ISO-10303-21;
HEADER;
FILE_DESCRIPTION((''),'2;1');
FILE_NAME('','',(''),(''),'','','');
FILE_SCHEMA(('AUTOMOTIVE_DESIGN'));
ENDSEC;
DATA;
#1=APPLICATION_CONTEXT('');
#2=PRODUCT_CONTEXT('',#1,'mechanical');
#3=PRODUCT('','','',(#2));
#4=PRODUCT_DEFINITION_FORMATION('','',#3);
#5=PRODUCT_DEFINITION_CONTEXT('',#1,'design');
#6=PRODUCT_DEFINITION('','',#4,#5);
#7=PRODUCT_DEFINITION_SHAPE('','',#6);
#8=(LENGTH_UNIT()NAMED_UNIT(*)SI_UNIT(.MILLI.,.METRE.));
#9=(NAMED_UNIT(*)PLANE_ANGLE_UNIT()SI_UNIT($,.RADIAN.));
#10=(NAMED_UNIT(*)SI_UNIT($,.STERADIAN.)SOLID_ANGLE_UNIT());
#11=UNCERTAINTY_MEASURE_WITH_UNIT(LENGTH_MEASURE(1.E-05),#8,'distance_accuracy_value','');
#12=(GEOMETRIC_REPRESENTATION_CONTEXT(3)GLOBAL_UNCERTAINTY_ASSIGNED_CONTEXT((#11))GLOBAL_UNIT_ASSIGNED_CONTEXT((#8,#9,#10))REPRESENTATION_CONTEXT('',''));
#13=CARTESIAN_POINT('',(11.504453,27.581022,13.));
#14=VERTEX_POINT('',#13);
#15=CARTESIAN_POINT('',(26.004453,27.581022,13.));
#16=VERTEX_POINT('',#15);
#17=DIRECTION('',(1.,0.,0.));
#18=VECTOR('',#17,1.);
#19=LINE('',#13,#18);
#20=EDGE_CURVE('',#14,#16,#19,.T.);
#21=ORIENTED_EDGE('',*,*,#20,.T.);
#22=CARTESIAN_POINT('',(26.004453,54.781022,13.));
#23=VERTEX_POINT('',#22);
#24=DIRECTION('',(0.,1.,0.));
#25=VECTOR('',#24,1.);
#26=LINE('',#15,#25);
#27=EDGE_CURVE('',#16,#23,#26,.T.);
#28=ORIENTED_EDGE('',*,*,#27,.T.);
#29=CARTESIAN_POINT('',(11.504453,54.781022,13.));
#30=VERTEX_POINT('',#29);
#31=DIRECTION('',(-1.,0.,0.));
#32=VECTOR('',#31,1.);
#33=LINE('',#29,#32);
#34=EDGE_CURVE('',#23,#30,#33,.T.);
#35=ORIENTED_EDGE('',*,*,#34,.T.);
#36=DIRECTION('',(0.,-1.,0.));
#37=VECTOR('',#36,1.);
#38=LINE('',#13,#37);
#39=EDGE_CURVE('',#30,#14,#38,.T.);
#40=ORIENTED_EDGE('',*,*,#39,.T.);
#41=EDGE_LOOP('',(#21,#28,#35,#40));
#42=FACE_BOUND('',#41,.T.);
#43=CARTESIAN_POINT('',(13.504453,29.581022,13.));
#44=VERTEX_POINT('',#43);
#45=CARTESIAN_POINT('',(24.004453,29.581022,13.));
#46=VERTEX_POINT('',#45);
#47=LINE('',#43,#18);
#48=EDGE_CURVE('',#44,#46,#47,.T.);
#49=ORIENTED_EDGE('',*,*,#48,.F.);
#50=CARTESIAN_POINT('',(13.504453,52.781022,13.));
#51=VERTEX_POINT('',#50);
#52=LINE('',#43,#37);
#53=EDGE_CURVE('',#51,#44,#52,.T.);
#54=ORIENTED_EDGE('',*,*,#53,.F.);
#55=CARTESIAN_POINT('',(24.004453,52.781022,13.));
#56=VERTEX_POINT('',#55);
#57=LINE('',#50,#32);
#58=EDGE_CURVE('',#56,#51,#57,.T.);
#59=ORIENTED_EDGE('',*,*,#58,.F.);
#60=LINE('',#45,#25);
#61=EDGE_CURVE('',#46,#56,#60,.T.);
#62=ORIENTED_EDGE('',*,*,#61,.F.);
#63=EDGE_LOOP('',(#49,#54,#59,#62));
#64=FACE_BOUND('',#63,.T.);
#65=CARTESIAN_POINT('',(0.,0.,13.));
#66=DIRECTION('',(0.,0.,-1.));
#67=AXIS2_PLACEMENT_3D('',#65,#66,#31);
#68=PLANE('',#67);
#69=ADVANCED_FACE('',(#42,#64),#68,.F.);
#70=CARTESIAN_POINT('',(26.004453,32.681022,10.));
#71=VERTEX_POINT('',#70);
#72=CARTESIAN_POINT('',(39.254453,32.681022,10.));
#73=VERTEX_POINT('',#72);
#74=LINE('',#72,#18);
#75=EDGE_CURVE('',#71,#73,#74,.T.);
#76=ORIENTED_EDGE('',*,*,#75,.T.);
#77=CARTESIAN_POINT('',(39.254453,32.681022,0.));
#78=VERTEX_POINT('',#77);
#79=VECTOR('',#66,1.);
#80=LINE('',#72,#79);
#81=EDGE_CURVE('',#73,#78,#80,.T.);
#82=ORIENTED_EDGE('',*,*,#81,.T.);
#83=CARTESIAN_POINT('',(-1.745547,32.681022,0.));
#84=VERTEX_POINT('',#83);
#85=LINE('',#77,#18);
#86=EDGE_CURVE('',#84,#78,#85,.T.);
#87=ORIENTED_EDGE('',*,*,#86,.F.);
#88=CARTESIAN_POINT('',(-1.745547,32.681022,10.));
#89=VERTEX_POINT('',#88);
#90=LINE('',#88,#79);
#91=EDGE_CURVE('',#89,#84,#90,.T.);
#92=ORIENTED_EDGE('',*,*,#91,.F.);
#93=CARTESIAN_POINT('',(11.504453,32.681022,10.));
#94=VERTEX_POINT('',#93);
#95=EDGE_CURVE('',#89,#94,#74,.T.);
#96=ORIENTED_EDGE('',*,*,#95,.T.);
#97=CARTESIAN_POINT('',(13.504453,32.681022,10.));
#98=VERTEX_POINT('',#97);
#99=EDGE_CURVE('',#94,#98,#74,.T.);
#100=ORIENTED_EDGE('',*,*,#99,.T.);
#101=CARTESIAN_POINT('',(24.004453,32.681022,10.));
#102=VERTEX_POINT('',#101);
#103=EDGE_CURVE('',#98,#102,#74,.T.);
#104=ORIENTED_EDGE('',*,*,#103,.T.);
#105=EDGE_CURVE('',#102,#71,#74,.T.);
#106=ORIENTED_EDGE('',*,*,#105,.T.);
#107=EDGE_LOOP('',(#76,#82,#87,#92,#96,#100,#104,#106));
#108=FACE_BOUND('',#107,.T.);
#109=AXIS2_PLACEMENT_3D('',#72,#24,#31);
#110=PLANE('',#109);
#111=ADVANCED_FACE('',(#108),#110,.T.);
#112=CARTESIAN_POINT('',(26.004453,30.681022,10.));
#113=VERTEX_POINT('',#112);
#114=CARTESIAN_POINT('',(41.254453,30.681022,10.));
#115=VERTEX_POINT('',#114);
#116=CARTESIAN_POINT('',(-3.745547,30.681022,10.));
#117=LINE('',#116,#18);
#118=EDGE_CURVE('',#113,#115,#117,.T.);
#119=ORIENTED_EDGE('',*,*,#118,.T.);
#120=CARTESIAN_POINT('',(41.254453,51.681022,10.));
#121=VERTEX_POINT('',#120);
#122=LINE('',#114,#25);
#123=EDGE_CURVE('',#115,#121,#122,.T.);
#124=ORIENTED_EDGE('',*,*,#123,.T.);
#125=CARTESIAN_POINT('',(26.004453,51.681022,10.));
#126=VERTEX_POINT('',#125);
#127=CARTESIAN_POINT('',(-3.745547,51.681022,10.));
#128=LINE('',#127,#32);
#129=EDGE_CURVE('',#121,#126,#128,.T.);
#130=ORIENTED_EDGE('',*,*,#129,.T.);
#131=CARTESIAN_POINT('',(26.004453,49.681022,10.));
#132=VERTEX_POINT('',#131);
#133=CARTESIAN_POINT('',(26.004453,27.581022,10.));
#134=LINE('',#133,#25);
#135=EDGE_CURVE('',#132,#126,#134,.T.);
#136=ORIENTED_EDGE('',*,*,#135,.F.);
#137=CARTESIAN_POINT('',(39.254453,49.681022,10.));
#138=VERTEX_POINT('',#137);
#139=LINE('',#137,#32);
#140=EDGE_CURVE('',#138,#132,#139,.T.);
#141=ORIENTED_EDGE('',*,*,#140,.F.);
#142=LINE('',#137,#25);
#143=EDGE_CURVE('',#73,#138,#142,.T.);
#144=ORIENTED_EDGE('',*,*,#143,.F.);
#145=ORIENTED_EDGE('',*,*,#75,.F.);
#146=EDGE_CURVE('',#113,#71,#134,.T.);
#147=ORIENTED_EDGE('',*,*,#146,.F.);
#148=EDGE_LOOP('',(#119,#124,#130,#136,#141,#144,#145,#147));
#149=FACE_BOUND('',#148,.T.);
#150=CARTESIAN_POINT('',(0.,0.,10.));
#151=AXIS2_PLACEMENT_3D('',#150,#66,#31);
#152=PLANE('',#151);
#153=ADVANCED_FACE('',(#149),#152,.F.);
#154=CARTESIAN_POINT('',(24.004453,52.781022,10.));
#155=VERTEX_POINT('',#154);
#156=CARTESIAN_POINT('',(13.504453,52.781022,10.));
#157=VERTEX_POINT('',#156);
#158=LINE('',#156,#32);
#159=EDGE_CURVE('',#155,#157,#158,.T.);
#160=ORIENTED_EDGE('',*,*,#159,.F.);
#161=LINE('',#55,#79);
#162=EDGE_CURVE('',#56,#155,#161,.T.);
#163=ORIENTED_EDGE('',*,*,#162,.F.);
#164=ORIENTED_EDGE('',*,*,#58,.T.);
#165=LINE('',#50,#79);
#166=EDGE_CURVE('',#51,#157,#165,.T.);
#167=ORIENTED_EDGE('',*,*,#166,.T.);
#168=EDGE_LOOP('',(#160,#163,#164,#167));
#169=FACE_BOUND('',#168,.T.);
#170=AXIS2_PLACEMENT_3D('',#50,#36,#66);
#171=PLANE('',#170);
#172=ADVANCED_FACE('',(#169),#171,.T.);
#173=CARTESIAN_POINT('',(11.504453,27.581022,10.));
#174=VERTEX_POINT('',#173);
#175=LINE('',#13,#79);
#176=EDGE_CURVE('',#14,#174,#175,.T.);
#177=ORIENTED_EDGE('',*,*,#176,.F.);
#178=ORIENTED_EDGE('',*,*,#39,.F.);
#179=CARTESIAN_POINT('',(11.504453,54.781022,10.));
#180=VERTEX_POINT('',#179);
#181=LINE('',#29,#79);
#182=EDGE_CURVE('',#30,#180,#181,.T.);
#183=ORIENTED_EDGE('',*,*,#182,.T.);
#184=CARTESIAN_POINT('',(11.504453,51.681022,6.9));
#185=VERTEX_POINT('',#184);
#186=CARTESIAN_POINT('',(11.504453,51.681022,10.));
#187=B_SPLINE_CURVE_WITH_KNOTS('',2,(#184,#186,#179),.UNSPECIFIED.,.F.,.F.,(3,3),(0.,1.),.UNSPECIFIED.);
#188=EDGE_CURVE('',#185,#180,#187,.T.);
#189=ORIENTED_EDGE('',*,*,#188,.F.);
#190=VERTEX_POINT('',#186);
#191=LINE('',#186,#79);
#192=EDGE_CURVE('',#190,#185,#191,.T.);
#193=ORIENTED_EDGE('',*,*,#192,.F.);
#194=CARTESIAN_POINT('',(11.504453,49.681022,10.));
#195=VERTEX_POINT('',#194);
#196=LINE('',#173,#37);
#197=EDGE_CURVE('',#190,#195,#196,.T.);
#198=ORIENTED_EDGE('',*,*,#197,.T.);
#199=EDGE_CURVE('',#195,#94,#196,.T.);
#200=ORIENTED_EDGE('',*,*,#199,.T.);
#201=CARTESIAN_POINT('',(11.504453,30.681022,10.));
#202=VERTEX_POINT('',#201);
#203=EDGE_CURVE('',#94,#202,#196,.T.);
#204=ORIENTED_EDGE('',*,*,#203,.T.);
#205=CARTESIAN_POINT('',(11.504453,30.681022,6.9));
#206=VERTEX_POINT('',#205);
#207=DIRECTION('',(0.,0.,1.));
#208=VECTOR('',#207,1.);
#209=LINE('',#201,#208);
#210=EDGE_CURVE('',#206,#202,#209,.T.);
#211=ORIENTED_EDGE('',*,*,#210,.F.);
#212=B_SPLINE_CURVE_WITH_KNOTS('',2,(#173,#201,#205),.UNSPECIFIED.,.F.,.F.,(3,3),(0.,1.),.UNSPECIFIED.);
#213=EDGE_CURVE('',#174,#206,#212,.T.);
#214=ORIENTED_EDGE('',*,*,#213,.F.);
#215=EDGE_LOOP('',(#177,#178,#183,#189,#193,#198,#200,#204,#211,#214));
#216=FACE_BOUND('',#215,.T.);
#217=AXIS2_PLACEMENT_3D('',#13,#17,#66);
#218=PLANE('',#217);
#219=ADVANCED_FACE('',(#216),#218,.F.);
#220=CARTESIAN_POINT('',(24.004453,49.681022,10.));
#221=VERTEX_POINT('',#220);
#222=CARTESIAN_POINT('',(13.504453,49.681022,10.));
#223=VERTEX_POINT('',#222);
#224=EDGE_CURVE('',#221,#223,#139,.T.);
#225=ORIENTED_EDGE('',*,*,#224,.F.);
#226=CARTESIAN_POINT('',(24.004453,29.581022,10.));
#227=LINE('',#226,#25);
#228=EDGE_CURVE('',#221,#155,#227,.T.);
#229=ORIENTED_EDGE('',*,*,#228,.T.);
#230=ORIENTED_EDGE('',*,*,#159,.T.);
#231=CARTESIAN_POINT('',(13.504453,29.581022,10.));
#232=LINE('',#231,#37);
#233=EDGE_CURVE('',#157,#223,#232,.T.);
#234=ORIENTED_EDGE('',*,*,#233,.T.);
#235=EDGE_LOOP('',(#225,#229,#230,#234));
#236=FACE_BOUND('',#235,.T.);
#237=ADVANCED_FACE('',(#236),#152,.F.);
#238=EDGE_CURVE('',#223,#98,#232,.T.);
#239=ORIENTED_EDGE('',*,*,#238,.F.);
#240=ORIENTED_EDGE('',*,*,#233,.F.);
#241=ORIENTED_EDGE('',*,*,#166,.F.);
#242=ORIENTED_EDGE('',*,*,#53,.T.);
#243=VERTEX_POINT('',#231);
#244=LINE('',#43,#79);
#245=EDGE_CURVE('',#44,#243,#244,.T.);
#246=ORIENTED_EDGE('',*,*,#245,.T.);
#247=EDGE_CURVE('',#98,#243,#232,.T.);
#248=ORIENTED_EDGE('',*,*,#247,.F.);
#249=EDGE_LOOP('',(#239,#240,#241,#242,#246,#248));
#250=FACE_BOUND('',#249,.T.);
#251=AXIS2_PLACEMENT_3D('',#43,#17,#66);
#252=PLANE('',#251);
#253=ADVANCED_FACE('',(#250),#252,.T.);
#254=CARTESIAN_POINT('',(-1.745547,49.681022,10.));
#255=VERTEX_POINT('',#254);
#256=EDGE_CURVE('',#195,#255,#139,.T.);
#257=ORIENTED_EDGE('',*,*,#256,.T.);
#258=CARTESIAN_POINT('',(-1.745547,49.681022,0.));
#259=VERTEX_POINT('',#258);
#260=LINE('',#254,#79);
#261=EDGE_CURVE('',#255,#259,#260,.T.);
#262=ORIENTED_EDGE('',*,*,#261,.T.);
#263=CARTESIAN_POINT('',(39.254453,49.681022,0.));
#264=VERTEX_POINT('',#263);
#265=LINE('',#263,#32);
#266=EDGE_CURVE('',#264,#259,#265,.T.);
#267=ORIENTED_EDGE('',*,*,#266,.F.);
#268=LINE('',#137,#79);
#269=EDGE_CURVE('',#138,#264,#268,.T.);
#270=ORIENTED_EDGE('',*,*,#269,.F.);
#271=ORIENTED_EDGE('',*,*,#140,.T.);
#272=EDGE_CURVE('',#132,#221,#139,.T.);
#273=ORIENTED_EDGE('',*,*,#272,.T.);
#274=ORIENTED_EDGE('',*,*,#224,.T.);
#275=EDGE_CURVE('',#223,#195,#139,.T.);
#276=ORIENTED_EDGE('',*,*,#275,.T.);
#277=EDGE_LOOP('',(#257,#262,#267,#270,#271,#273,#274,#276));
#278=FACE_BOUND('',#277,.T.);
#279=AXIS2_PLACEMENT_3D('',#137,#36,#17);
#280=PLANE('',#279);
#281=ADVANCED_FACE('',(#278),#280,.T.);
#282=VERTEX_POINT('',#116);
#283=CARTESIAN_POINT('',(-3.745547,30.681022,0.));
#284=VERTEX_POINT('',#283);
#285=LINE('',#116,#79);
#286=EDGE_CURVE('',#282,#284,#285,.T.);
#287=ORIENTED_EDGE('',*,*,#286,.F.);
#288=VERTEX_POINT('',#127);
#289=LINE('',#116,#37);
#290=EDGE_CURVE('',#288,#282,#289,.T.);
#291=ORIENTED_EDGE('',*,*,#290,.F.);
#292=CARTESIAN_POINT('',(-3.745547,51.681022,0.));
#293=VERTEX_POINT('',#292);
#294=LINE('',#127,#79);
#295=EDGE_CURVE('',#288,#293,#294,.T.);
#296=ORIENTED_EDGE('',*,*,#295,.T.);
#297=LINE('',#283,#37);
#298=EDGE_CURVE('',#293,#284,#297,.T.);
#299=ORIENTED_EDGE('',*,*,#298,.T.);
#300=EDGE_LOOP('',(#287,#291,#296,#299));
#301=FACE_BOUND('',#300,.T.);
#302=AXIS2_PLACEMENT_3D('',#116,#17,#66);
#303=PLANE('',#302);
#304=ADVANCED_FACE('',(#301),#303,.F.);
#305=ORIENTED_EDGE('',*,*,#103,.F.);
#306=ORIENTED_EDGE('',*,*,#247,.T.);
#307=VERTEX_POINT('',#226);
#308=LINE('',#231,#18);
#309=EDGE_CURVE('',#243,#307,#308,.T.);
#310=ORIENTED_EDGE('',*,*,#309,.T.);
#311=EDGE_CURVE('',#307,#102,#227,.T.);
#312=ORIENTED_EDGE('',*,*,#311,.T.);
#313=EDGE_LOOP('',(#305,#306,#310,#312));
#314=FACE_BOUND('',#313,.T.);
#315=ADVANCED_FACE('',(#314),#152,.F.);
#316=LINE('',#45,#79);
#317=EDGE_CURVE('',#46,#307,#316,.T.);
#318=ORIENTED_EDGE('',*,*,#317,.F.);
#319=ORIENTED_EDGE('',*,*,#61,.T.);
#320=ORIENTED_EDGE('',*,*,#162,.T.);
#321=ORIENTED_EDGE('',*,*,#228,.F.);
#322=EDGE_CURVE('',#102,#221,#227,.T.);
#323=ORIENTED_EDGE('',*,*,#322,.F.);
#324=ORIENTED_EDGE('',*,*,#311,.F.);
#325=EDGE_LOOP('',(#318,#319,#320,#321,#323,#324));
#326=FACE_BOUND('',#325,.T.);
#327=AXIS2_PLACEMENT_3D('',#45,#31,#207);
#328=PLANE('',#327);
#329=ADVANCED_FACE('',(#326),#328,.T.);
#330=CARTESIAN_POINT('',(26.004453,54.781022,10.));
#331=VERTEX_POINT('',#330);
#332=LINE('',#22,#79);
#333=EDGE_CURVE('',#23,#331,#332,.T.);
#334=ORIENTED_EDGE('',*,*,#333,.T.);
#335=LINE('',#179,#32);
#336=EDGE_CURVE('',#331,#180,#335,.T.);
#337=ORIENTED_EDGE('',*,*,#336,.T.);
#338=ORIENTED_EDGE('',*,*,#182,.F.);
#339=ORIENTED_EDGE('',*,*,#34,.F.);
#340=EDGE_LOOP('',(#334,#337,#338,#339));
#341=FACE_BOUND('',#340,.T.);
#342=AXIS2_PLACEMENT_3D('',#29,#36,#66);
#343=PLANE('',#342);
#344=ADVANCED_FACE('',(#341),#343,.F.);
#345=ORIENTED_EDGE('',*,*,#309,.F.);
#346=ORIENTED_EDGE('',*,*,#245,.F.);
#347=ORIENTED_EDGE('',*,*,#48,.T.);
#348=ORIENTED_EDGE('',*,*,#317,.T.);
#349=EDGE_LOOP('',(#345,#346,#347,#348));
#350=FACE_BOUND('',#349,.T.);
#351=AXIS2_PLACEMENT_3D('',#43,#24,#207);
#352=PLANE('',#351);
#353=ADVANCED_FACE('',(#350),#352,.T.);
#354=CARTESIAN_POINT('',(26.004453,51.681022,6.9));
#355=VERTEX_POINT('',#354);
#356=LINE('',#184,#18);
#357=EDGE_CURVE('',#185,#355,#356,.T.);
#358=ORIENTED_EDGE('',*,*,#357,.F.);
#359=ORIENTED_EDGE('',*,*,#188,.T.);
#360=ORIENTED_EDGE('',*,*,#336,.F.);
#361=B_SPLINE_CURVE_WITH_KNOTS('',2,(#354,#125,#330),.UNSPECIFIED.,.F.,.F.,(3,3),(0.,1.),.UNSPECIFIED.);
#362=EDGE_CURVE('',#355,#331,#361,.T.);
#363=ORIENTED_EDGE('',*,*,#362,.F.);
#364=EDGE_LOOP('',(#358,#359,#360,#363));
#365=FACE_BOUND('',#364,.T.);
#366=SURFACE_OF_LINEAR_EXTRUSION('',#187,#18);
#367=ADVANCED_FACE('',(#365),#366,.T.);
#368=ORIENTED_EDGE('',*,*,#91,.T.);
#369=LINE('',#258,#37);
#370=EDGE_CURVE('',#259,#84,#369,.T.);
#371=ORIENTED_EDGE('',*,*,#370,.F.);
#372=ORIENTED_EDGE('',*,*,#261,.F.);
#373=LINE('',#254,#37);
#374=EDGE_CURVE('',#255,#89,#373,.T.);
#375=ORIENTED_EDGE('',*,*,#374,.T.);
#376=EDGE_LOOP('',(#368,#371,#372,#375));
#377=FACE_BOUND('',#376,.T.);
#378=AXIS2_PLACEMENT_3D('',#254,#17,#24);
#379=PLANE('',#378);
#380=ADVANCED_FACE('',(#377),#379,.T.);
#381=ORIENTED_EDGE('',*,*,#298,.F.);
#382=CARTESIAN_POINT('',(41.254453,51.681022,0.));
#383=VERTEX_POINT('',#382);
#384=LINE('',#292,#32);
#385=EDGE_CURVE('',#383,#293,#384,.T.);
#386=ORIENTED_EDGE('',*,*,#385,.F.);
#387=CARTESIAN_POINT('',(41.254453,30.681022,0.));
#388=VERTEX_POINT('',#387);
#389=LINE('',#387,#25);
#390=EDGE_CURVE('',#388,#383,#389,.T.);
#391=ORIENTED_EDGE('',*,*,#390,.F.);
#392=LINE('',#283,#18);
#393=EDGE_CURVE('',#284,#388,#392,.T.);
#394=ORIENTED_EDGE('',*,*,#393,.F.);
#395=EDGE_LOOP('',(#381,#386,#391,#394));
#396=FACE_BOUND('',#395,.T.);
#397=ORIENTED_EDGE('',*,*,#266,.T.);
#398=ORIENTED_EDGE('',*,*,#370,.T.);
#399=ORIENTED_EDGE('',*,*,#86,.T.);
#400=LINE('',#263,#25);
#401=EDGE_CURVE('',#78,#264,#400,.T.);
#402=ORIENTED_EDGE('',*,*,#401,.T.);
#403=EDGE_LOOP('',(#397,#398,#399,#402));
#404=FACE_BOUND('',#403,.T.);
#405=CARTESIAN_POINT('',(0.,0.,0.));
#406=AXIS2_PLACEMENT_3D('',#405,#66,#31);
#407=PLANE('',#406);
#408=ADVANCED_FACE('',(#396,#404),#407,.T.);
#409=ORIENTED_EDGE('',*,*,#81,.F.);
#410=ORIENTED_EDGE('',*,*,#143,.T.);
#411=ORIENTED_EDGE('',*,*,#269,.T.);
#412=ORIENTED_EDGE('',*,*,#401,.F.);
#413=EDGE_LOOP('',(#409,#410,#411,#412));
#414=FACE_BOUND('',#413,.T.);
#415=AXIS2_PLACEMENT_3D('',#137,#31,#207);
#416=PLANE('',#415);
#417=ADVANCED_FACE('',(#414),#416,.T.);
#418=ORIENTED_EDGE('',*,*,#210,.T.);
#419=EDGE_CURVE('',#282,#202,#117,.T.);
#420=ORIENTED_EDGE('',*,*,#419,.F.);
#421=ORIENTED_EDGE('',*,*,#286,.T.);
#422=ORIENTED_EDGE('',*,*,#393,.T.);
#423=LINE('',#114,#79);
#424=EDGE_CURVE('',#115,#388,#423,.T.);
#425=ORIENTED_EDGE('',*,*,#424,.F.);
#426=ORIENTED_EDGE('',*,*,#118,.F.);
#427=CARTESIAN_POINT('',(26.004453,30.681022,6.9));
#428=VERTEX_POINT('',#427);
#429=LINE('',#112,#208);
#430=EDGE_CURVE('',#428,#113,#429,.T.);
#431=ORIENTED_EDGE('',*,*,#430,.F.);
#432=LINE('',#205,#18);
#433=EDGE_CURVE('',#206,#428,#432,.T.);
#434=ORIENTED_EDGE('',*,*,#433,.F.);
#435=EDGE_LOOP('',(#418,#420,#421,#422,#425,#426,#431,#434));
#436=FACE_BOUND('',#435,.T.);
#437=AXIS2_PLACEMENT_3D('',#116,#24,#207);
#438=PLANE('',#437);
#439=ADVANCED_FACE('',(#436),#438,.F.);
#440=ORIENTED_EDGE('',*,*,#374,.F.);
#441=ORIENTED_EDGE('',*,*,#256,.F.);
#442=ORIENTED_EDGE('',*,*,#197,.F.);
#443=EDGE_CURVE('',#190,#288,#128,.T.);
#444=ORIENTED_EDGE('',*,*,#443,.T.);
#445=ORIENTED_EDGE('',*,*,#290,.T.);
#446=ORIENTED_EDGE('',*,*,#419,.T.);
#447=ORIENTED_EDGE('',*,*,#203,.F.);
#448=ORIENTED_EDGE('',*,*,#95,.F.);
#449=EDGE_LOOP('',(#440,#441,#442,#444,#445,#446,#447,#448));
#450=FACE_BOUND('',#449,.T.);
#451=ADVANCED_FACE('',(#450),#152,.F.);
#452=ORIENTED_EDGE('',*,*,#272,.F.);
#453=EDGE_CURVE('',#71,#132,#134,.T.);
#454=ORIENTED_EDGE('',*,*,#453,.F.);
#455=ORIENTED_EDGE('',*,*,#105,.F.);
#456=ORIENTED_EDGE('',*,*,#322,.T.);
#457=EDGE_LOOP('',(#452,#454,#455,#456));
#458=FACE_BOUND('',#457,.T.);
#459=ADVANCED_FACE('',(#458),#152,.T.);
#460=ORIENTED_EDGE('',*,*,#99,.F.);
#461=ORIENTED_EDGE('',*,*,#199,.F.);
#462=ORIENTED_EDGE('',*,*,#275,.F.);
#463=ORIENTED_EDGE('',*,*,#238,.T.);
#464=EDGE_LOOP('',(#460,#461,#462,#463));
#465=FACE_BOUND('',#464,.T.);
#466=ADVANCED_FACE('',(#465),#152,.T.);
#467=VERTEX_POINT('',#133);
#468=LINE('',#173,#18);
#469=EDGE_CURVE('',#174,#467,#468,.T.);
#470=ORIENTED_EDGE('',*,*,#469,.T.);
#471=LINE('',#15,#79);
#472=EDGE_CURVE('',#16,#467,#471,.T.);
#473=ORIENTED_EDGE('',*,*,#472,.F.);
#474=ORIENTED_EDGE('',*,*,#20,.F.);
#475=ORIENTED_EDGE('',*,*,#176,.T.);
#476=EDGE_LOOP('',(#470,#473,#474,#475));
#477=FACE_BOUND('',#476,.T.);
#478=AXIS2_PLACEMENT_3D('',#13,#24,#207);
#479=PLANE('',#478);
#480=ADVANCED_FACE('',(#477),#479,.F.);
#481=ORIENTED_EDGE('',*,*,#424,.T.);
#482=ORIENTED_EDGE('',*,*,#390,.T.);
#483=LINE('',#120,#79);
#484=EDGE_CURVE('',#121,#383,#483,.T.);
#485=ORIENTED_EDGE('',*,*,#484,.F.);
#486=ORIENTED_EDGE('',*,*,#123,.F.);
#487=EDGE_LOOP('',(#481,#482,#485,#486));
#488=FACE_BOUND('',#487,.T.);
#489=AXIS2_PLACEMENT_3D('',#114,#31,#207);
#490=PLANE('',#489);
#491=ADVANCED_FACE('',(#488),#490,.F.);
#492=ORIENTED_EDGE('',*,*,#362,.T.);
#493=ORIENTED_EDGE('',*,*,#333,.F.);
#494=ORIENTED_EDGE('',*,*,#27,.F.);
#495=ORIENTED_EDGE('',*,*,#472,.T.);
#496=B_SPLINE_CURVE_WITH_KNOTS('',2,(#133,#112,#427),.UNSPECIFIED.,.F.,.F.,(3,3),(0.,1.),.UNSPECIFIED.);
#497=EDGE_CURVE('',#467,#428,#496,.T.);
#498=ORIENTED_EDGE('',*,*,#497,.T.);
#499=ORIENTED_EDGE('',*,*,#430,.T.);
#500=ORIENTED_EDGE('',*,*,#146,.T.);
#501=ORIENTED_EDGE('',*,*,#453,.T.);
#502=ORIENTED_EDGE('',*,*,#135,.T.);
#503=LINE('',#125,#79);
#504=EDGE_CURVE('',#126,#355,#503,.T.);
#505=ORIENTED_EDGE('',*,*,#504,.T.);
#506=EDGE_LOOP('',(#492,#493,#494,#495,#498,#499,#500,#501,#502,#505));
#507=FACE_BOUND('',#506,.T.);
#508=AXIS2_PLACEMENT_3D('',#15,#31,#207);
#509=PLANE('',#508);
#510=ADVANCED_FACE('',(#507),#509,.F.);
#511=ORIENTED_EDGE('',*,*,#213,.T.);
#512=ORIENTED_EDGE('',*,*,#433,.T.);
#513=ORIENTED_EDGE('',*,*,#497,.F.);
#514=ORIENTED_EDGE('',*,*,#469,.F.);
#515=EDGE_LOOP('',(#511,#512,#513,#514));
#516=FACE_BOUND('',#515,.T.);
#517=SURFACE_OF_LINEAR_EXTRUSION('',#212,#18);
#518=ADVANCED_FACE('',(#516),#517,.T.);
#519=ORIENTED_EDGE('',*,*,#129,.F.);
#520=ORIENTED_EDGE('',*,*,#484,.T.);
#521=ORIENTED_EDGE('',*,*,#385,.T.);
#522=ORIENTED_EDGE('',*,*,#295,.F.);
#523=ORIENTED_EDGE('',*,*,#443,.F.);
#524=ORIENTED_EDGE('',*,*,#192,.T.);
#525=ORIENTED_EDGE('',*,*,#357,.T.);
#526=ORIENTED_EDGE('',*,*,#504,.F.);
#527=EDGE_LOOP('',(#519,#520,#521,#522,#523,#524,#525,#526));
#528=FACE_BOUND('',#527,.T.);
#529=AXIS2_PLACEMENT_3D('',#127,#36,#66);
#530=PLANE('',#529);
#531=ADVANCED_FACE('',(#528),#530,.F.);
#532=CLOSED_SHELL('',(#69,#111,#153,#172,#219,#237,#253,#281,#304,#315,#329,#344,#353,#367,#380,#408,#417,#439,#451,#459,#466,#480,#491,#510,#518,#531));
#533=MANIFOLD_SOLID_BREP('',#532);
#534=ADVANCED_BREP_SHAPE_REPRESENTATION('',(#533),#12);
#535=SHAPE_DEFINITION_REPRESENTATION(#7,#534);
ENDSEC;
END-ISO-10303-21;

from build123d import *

# Parameters (mm, degrees)
SZKIC1_W                    = 45
SZKIC1_H                    = 21
SZKIC1_W_2                  = 41
SZKIC1_H_2                  = 17
DODANIE_WYCI_GNI_CIE1_DEPTH = 10
SZKIC2_W                    = 14.5
SZKIC2_H                    = 27.2
SZKIC2_W_2                  = 10.5
SZKIC2_H_2                  = 23.2
DODANIE_WYCI_GNI_CIE2_DEPTH = 3
DODANIE_WYCI_GNI_CIE3_START = -14.5
DODANIE_WYCI_GNI_CIE3_DEPTH = 14.5


with BuildPart() as part:
    # Szkic1 → Dodanie-wyciągnięcie1 (new body)
    with BuildSketch(Plane.XY):
        with Locations((18.754452903, 41.181022194)):
            Rectangle(SZKIC1_W, SZKIC1_H)
        with Locations((18.754452903, 41.181022194)):
            Rectangle(SZKIC1_W_2, SZKIC1_H_2, mode=Mode.SUBTRACT)
    extrude(amount=DODANIE_WYCI_GNI_CIE1_DEPTH)

    # Szkic2 → Dodanie-wyciągnięcie2 (add)
    with BuildSketch(Plane.XY.offset(10)):
        with Locations((18.754452903, 41.181022194)):
            Rectangle(SZKIC2_W, SZKIC2_H)
        with Locations((18.754452903, 41.181022194)):
            Rectangle(SZKIC2_W_2, SZKIC2_H_2, mode=Mode.SUBTRACT)
    extrude(amount=DODANIE_WYCI_GNI_CIE2_DEPTH)

    # Szkic3 → Dodanie-wyciągnięcie3 (add)
    with BuildSketch(Plane(origin=(26.004452903, 0, 0), x_dir=(0, 0, -1), z_dir=(1, 0, 0)).offset(DODANIE_WYCI_GNI_CIE3_START)):
        with BuildLine():
            Line((-10, 54.781022194), (-10, 51.681022194))
            Line((-10, 51.681022194), (-6.9, 51.681022194))
            add(Edge.make_bspline(
                [(-6.9, 51.681022194), (-10, 51.681022194), (-10, 54.781022194)],
                knots=[0, 0, 0, 1, 1, 1], degree=2))
        make_face()
        with BuildLine():
            Line((-10, 27.581022194), (-10, 30.681022194))
            Line((-10, 30.681022194), (-6.9, 30.681022194))
            add(Edge.make_bspline(
                [(-10, 27.581022194), (-10, 30.681022194), (-6.9, 30.681022194)],
                knots=[0, 0, 0, 1, 1, 1], degree=2))
        make_face()
    extrude(amount=DODANIE_WYCI_GNI_CIE3_DEPTH)


solid = part.part
